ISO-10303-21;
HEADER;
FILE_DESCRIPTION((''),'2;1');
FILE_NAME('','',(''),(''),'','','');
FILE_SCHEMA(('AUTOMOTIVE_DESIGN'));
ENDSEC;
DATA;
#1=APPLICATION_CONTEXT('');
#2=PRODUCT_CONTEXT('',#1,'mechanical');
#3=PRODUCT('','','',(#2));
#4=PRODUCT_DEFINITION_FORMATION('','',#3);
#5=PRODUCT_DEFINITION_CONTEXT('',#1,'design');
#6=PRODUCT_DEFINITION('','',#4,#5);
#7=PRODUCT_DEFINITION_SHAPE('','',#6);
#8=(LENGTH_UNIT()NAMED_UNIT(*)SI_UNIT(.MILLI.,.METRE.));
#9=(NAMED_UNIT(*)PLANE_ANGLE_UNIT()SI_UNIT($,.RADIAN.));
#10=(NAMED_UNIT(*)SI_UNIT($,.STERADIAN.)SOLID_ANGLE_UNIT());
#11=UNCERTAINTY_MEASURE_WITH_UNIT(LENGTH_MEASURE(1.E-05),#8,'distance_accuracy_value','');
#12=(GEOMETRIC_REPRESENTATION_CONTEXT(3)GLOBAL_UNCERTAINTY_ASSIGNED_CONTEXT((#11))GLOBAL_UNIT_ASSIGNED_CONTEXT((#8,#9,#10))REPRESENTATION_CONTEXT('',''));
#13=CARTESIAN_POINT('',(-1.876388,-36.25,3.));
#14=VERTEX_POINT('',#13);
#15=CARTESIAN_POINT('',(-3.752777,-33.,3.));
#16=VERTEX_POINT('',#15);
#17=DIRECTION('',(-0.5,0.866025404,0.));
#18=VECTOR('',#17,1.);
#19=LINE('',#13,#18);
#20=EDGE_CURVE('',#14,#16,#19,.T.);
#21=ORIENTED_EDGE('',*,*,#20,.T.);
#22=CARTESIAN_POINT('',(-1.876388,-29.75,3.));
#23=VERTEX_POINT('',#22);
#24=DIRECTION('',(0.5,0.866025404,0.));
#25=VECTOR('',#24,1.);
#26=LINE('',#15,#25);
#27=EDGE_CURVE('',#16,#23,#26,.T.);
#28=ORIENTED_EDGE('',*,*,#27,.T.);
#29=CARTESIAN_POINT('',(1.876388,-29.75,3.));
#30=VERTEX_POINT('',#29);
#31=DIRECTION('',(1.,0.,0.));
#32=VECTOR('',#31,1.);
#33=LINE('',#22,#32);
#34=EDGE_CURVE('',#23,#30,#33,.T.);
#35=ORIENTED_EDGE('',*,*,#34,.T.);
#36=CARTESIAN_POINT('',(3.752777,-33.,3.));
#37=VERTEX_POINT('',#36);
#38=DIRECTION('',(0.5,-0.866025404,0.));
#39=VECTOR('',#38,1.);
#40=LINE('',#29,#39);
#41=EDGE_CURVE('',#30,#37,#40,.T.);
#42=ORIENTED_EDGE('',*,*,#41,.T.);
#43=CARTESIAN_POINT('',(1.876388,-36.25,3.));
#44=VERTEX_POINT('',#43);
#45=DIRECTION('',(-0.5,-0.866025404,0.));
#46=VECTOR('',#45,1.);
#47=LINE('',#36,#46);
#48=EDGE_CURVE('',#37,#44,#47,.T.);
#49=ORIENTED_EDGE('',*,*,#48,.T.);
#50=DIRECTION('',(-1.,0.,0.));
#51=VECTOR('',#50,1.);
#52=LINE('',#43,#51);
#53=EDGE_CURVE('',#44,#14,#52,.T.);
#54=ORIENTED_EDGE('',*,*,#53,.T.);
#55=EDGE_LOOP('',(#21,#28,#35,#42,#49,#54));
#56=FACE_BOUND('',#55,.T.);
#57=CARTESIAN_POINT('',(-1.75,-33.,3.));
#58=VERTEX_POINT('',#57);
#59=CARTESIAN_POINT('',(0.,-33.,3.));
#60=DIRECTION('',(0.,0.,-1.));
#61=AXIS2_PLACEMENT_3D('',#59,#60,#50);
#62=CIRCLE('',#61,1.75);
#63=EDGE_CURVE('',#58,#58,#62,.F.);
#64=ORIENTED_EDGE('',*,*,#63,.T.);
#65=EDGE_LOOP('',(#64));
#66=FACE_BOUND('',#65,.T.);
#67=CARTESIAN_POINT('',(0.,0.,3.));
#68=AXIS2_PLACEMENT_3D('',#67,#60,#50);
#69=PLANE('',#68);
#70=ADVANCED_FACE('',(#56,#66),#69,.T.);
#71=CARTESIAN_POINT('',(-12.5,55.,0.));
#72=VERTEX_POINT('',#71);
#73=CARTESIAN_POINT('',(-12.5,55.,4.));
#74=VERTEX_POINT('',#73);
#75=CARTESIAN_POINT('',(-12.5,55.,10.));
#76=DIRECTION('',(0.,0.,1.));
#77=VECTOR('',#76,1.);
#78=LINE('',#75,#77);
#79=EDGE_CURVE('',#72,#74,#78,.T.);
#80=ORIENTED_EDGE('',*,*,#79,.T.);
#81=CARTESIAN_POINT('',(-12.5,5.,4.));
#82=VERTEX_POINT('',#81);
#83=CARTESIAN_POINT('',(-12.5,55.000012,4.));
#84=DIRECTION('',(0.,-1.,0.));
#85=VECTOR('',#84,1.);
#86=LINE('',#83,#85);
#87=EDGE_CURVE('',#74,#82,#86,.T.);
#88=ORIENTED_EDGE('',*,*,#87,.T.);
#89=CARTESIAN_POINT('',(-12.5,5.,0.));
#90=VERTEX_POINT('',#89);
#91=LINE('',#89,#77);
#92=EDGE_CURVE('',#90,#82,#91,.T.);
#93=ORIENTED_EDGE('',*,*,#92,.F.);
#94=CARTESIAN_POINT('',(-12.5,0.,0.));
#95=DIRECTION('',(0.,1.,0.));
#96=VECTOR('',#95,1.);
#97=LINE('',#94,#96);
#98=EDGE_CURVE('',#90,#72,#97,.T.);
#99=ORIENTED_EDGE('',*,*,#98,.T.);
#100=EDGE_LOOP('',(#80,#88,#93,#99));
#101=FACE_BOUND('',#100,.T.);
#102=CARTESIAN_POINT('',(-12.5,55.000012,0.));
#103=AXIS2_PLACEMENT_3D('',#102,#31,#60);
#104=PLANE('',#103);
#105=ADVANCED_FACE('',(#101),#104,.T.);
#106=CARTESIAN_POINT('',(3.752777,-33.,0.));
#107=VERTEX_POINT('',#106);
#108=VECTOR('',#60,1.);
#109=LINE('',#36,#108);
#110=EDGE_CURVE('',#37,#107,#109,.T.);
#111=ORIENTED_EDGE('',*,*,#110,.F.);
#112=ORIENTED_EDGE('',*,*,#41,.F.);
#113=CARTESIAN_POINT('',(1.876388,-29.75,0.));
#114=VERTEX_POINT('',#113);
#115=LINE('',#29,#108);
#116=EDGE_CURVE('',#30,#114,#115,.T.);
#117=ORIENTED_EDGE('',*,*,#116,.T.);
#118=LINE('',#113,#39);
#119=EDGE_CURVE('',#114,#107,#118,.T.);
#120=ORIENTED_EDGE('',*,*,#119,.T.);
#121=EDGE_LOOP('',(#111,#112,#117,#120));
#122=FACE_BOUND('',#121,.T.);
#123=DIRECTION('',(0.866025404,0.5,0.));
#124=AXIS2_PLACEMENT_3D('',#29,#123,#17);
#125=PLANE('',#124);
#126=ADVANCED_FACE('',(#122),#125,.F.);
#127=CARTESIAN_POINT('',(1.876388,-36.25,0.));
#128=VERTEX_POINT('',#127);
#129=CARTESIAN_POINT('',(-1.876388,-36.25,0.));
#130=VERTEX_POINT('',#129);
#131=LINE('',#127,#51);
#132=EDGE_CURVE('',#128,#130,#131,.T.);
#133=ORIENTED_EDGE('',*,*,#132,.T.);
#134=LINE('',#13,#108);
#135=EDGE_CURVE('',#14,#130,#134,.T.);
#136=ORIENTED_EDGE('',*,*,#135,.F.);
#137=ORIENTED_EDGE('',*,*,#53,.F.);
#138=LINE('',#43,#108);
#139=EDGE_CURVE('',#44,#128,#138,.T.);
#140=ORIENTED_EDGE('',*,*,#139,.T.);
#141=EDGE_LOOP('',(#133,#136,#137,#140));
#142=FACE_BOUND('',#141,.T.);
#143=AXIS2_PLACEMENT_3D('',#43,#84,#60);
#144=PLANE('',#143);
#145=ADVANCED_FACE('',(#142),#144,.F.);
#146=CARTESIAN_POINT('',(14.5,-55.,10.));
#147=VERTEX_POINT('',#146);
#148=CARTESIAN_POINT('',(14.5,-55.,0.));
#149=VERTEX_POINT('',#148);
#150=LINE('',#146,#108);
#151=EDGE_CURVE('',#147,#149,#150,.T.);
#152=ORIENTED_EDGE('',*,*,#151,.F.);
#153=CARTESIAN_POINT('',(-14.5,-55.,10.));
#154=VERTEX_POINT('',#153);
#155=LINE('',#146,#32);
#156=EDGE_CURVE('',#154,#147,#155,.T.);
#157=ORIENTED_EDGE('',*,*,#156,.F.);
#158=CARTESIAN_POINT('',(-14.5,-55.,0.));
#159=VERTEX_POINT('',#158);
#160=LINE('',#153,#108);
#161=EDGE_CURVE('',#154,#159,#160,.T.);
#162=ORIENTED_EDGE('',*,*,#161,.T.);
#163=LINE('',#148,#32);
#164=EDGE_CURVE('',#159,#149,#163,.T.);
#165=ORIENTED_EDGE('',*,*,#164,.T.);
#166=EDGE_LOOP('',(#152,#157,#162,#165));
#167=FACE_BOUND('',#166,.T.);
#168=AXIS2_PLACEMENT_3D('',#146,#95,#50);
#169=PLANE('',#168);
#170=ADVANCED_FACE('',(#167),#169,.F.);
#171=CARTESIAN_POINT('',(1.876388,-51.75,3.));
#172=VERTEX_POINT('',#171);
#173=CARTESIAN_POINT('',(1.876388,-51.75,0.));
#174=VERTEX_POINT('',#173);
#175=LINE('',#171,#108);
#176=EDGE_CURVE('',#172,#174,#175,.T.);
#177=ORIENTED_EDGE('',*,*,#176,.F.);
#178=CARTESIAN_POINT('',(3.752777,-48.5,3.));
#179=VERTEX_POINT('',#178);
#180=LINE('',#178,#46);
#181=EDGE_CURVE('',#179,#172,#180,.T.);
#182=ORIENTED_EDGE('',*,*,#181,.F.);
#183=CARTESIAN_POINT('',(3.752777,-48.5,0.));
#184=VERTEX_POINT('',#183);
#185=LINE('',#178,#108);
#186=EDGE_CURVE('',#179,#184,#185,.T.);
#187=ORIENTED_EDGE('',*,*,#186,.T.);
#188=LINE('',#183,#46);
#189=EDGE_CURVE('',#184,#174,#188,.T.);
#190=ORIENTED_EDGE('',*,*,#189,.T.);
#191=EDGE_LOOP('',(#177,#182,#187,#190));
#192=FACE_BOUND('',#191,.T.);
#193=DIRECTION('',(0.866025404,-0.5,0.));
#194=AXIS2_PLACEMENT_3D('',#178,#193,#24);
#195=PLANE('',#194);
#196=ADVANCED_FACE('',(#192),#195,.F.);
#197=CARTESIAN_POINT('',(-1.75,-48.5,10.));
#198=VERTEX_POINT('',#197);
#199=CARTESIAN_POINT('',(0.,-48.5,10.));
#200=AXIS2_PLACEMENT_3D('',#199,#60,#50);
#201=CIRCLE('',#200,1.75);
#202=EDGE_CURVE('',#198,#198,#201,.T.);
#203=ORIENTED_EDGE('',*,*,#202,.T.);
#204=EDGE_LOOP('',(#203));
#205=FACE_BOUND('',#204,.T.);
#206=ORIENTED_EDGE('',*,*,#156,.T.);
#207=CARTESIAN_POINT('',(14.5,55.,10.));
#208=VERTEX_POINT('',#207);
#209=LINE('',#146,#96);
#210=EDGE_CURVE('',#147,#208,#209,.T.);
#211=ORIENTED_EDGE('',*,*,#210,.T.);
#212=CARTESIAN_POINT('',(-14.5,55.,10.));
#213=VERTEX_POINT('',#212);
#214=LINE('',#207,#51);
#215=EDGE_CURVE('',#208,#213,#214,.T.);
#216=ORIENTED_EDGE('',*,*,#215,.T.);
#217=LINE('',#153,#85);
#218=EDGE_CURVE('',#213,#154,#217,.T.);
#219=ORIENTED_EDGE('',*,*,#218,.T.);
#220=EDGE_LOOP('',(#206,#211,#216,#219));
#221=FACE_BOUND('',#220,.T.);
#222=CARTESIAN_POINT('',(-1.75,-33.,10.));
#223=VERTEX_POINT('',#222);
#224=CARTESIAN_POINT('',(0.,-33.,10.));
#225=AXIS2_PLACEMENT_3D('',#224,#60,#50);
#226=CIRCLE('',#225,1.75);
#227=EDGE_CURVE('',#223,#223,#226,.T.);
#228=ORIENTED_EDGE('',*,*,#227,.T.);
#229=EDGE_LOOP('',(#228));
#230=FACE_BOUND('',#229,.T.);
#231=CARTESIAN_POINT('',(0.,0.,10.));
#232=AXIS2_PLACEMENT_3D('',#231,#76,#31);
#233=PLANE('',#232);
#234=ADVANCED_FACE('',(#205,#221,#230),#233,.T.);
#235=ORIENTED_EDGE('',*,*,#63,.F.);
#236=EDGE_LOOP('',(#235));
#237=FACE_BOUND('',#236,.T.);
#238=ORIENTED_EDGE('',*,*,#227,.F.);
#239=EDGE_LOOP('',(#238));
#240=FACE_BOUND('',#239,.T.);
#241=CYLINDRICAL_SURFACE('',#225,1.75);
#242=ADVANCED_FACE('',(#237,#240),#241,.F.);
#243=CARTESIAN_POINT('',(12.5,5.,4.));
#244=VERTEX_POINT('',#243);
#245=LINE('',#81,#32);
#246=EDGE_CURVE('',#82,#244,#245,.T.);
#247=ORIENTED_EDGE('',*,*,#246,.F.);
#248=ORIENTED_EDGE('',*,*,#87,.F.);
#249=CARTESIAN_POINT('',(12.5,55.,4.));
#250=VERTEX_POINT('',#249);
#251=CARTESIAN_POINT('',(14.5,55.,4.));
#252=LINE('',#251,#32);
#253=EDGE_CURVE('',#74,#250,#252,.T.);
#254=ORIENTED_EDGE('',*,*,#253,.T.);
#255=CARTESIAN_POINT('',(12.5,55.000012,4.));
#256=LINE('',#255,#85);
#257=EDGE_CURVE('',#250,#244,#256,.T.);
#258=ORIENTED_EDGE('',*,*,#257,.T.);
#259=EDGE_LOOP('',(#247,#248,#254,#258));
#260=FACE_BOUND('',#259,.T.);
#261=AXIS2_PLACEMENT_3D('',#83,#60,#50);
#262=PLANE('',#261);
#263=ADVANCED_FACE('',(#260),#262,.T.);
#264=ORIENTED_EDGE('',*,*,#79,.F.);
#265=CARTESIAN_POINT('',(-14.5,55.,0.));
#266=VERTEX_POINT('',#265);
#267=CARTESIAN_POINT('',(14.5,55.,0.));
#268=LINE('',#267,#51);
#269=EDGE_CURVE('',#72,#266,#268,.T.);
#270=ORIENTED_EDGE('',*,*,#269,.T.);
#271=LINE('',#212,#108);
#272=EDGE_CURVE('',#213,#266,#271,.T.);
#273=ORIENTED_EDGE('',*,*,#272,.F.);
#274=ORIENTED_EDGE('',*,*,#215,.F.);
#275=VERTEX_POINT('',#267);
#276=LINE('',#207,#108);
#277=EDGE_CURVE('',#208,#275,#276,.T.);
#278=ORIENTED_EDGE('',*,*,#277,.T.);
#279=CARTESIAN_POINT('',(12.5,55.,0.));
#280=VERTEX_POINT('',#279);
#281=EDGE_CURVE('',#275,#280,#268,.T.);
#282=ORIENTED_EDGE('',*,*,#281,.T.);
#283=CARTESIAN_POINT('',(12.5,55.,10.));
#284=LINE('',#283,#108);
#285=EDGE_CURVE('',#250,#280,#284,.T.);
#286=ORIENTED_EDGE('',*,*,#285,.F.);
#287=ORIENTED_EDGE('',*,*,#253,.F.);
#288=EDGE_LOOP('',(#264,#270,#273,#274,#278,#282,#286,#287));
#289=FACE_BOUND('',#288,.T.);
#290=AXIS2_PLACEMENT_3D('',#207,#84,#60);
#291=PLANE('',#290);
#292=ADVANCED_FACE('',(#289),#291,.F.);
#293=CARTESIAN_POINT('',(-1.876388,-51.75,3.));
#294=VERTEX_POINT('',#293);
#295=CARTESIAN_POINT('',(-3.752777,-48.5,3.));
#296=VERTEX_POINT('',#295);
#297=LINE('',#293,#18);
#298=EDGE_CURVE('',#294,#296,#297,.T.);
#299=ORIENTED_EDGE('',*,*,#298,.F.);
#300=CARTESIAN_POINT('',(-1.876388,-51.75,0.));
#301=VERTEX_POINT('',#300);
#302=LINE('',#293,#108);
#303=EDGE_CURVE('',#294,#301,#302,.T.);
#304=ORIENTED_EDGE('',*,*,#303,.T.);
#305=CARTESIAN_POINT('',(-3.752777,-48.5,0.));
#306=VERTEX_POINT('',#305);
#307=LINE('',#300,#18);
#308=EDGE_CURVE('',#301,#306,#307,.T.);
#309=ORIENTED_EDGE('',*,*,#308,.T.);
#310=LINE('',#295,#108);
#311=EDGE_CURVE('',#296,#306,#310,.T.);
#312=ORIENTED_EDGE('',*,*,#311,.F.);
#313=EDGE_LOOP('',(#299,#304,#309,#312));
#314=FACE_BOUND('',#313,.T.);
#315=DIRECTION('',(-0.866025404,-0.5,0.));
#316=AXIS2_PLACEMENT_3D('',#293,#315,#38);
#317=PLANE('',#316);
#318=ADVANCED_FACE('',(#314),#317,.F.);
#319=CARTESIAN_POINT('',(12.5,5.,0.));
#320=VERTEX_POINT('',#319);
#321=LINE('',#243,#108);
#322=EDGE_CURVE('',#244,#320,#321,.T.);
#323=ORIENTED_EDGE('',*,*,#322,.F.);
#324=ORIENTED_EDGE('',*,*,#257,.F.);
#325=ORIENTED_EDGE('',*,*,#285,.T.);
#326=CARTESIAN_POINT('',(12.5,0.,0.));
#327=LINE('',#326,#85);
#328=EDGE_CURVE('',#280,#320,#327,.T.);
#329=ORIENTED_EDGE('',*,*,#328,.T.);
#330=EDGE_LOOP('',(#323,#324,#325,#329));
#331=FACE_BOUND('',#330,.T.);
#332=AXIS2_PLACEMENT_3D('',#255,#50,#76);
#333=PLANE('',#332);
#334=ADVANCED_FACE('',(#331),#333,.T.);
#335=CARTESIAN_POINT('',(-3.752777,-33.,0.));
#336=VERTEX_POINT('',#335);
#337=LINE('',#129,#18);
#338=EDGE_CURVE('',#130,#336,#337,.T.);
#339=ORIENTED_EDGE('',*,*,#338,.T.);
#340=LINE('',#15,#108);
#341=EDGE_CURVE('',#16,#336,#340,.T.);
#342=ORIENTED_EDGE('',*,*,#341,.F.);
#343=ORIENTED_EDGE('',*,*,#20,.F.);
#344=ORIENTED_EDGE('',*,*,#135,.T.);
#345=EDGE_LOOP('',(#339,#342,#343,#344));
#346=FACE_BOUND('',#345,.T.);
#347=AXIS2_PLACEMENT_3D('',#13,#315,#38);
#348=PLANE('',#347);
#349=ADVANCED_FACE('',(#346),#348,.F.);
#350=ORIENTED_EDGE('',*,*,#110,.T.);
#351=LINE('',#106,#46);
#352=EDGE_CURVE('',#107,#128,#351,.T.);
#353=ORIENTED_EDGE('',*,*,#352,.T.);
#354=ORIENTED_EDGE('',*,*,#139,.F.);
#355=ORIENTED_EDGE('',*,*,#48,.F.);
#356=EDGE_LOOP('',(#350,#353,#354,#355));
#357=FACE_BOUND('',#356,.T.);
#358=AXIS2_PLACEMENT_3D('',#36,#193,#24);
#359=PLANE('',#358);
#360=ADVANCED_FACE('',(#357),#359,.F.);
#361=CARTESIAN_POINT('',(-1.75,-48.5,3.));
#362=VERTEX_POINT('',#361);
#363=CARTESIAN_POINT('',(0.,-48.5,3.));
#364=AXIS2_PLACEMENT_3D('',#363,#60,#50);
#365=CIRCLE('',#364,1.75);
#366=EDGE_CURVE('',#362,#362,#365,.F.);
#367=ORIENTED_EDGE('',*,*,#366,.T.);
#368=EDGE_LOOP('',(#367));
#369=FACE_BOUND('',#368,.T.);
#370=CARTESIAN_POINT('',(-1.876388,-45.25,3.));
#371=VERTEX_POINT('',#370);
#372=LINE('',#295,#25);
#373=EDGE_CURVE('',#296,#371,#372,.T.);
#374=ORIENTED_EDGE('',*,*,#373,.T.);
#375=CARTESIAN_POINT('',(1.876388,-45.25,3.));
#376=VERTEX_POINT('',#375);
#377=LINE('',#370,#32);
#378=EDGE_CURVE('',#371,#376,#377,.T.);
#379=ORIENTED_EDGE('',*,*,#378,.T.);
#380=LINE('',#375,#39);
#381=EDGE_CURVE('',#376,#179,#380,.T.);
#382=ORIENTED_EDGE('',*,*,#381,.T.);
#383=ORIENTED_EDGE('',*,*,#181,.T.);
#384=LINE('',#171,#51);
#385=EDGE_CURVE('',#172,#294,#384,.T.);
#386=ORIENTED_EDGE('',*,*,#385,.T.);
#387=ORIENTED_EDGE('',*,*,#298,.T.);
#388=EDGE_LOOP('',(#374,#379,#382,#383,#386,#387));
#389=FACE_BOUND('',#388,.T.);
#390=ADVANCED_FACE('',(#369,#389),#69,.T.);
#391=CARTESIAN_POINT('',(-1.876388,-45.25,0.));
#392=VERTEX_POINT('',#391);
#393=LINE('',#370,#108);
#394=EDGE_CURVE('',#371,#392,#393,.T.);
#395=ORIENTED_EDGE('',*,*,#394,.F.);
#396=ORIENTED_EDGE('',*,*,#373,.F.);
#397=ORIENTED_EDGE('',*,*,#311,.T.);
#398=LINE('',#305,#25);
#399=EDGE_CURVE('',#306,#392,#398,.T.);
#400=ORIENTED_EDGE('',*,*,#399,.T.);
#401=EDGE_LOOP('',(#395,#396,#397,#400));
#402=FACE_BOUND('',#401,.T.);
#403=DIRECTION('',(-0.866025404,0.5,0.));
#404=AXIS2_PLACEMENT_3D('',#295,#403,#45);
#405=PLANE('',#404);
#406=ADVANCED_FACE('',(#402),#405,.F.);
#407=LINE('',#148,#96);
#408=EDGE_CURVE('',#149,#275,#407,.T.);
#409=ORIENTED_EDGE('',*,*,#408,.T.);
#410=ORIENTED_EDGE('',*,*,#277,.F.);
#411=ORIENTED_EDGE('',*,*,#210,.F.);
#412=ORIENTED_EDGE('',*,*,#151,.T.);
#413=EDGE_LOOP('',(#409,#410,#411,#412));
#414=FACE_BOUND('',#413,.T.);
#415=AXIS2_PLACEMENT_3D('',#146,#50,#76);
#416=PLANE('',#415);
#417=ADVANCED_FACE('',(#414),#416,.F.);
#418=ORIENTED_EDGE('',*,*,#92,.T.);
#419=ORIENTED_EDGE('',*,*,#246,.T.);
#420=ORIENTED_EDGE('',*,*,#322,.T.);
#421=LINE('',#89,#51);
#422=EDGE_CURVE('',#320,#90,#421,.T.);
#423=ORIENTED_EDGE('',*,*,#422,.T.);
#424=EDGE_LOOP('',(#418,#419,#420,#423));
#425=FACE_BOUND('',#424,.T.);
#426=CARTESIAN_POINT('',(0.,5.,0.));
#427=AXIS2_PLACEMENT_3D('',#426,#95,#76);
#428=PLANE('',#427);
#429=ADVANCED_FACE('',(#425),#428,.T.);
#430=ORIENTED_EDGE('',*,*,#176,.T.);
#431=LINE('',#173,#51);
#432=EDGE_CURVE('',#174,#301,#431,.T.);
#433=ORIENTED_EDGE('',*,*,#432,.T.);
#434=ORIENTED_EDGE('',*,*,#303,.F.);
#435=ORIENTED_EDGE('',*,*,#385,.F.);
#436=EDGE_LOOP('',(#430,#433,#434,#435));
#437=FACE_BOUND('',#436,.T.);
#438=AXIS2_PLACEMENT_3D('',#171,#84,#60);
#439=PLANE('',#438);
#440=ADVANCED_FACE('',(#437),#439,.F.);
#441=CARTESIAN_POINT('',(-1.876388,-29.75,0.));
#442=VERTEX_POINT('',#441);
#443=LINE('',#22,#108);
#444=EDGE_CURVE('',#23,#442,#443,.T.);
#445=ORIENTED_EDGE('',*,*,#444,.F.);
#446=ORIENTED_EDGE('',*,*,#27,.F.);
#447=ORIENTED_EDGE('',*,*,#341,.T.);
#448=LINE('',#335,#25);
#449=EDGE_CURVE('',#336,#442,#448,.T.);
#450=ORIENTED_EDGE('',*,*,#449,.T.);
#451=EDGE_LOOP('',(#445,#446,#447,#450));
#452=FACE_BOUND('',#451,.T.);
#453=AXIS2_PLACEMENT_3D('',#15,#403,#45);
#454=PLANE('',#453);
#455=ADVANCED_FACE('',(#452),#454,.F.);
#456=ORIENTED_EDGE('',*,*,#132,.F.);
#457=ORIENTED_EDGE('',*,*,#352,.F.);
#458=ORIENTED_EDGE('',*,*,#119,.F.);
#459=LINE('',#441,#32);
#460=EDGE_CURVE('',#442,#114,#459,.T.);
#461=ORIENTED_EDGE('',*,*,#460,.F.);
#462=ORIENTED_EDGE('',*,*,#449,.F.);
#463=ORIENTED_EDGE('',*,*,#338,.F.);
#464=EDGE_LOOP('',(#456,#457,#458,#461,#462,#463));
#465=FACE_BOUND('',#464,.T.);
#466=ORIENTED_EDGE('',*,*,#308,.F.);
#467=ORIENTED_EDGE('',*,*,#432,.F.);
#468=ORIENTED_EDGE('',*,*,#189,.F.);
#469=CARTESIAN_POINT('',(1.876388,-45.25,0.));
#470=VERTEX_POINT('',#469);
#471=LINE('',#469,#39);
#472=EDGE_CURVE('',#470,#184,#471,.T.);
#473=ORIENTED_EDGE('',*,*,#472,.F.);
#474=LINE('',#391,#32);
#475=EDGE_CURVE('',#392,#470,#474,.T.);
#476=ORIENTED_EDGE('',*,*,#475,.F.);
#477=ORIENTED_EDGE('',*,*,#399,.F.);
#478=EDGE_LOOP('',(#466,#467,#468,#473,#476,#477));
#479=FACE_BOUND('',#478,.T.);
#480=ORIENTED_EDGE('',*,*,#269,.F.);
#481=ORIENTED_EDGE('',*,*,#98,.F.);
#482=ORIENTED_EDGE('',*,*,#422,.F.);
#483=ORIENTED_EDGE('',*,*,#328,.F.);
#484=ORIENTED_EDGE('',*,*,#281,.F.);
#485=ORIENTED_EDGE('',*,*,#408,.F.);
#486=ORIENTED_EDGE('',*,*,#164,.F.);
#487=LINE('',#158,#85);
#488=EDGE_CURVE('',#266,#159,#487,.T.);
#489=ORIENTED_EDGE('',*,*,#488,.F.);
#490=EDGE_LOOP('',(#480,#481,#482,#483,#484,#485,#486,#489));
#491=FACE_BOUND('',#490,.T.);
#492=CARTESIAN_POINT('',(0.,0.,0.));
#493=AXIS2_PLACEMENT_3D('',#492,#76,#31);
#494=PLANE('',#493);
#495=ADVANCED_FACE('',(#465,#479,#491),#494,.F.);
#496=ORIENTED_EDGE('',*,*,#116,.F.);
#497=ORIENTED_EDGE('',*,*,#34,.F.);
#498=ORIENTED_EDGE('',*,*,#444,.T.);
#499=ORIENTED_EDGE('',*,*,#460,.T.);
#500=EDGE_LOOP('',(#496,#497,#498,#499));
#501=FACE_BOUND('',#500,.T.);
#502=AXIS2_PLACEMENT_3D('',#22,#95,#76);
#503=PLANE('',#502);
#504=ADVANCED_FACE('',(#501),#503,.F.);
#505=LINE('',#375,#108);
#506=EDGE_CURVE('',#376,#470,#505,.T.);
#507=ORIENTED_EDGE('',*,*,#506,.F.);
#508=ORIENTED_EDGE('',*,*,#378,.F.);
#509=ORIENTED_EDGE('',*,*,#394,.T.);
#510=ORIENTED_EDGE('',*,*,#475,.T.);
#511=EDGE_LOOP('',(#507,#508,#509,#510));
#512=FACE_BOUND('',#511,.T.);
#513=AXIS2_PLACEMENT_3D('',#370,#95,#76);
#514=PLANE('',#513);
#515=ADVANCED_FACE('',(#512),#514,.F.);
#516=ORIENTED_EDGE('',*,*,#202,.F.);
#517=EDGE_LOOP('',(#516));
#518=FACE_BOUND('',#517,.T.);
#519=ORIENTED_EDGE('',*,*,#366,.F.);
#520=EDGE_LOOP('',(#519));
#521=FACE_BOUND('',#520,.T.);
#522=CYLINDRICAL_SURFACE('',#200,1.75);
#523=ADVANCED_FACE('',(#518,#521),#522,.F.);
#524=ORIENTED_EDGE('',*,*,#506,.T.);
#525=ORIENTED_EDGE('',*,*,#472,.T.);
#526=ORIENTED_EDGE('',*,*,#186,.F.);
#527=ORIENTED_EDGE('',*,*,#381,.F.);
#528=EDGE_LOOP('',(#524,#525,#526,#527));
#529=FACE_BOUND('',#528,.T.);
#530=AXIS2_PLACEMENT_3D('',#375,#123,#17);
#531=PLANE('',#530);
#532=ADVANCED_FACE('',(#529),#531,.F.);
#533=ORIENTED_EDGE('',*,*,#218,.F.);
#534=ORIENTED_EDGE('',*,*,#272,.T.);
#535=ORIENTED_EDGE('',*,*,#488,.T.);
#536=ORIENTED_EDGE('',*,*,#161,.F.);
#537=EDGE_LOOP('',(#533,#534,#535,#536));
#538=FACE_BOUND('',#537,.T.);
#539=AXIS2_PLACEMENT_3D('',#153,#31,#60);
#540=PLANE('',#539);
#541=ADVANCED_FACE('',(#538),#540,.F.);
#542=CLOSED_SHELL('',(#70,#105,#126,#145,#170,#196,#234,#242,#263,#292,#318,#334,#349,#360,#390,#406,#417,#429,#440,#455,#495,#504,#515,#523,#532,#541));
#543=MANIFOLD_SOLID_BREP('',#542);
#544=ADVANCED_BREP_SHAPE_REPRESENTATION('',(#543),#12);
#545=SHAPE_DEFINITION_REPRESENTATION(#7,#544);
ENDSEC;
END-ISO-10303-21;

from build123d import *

# Parameters (mm, degrees)
SKETCH1_W               = 29
SKETCH1_H               = 110
BOSS_EXTRUDE1_DEPTH     = 10
CUT_EXTRUDE1_DEPTH      = 112.401301608
CUT_EXTRUDE1_DEPTH_BACK = 50
SKETCH2_W               = 25
SKETCH2_H               = 4
SKETCH3_R               = 1.75
CUT_EXTRUDE2_DEPTH      = 58.751623354
CUT_EXTRUDE3_DEPTH      = 3


with BuildPart() as part:
    # Sketch1 → Boss-Extrude1 (new body)
    with BuildSketch(Plane.XY):
        Rectangle(SKETCH1_W, SKETCH1_H)
    extrude(amount=BOSS_EXTRUDE1_DEPTH)

    # Sketch2 → Cut-Extrude1 (cut, two sides: drawn at the far end of the back side and taken through both)
    with BuildSketch(Plane(origin=(0, 55, 0), x_dir=(1, 0, 0), z_dir=(0, 1, 0)).offset(-CUT_EXTRUDE1_DEPTH_BACK)):
        with Locations((0, -2)):
            Rectangle(SKETCH2_W, SKETCH2_H)
    extrude(amount=CUT_EXTRUDE1_DEPTH + CUT_EXTRUDE1_DEPTH_BACK, mode=Mode.SUBTRACT)

    # Sketch3 → Cut-Extrude2 (cut, through all)
    with BuildSketch(Plane(origin=(0, 0, 0), x_dir=(-1, 0, 0), z_dir=(0, 0, -1))):
        with Locations((0, -48.5)):
            Circle(SKETCH3_R)
        with Locations((0, -33)):
            Circle(SKETCH3_R)
    extrude(amount=-CUT_EXTRUDE2_DEPTH, mode=Mode.SUBTRACT)

    # Sketch5 → Cut-Extrude3 (cut)
    with BuildSketch(Plane(origin=(0, 0, 0), x_dir=(-1, 0, 0), z_dir=(0, 0, -1))):
        Polygon((1.876388375, -51.75), (3.75277675, -48.5), (1.876388375, -45.25), (-1.876388375, -45.25), (-3.75277675, -48.5), (-1.876388375, -51.75), align=None)
        Polygon((1.876388375, -36.25), (3.75277675, -33), (1.876388375, -29.75), (-1.876388375, -29.75), (-3.75277675, -33), (-1.876388375, -36.25), align=None)
    extrude(amount=-CUT_EXTRUDE3_DEPTH, mode=Mode.SUBTRACT)


solid = part.part
